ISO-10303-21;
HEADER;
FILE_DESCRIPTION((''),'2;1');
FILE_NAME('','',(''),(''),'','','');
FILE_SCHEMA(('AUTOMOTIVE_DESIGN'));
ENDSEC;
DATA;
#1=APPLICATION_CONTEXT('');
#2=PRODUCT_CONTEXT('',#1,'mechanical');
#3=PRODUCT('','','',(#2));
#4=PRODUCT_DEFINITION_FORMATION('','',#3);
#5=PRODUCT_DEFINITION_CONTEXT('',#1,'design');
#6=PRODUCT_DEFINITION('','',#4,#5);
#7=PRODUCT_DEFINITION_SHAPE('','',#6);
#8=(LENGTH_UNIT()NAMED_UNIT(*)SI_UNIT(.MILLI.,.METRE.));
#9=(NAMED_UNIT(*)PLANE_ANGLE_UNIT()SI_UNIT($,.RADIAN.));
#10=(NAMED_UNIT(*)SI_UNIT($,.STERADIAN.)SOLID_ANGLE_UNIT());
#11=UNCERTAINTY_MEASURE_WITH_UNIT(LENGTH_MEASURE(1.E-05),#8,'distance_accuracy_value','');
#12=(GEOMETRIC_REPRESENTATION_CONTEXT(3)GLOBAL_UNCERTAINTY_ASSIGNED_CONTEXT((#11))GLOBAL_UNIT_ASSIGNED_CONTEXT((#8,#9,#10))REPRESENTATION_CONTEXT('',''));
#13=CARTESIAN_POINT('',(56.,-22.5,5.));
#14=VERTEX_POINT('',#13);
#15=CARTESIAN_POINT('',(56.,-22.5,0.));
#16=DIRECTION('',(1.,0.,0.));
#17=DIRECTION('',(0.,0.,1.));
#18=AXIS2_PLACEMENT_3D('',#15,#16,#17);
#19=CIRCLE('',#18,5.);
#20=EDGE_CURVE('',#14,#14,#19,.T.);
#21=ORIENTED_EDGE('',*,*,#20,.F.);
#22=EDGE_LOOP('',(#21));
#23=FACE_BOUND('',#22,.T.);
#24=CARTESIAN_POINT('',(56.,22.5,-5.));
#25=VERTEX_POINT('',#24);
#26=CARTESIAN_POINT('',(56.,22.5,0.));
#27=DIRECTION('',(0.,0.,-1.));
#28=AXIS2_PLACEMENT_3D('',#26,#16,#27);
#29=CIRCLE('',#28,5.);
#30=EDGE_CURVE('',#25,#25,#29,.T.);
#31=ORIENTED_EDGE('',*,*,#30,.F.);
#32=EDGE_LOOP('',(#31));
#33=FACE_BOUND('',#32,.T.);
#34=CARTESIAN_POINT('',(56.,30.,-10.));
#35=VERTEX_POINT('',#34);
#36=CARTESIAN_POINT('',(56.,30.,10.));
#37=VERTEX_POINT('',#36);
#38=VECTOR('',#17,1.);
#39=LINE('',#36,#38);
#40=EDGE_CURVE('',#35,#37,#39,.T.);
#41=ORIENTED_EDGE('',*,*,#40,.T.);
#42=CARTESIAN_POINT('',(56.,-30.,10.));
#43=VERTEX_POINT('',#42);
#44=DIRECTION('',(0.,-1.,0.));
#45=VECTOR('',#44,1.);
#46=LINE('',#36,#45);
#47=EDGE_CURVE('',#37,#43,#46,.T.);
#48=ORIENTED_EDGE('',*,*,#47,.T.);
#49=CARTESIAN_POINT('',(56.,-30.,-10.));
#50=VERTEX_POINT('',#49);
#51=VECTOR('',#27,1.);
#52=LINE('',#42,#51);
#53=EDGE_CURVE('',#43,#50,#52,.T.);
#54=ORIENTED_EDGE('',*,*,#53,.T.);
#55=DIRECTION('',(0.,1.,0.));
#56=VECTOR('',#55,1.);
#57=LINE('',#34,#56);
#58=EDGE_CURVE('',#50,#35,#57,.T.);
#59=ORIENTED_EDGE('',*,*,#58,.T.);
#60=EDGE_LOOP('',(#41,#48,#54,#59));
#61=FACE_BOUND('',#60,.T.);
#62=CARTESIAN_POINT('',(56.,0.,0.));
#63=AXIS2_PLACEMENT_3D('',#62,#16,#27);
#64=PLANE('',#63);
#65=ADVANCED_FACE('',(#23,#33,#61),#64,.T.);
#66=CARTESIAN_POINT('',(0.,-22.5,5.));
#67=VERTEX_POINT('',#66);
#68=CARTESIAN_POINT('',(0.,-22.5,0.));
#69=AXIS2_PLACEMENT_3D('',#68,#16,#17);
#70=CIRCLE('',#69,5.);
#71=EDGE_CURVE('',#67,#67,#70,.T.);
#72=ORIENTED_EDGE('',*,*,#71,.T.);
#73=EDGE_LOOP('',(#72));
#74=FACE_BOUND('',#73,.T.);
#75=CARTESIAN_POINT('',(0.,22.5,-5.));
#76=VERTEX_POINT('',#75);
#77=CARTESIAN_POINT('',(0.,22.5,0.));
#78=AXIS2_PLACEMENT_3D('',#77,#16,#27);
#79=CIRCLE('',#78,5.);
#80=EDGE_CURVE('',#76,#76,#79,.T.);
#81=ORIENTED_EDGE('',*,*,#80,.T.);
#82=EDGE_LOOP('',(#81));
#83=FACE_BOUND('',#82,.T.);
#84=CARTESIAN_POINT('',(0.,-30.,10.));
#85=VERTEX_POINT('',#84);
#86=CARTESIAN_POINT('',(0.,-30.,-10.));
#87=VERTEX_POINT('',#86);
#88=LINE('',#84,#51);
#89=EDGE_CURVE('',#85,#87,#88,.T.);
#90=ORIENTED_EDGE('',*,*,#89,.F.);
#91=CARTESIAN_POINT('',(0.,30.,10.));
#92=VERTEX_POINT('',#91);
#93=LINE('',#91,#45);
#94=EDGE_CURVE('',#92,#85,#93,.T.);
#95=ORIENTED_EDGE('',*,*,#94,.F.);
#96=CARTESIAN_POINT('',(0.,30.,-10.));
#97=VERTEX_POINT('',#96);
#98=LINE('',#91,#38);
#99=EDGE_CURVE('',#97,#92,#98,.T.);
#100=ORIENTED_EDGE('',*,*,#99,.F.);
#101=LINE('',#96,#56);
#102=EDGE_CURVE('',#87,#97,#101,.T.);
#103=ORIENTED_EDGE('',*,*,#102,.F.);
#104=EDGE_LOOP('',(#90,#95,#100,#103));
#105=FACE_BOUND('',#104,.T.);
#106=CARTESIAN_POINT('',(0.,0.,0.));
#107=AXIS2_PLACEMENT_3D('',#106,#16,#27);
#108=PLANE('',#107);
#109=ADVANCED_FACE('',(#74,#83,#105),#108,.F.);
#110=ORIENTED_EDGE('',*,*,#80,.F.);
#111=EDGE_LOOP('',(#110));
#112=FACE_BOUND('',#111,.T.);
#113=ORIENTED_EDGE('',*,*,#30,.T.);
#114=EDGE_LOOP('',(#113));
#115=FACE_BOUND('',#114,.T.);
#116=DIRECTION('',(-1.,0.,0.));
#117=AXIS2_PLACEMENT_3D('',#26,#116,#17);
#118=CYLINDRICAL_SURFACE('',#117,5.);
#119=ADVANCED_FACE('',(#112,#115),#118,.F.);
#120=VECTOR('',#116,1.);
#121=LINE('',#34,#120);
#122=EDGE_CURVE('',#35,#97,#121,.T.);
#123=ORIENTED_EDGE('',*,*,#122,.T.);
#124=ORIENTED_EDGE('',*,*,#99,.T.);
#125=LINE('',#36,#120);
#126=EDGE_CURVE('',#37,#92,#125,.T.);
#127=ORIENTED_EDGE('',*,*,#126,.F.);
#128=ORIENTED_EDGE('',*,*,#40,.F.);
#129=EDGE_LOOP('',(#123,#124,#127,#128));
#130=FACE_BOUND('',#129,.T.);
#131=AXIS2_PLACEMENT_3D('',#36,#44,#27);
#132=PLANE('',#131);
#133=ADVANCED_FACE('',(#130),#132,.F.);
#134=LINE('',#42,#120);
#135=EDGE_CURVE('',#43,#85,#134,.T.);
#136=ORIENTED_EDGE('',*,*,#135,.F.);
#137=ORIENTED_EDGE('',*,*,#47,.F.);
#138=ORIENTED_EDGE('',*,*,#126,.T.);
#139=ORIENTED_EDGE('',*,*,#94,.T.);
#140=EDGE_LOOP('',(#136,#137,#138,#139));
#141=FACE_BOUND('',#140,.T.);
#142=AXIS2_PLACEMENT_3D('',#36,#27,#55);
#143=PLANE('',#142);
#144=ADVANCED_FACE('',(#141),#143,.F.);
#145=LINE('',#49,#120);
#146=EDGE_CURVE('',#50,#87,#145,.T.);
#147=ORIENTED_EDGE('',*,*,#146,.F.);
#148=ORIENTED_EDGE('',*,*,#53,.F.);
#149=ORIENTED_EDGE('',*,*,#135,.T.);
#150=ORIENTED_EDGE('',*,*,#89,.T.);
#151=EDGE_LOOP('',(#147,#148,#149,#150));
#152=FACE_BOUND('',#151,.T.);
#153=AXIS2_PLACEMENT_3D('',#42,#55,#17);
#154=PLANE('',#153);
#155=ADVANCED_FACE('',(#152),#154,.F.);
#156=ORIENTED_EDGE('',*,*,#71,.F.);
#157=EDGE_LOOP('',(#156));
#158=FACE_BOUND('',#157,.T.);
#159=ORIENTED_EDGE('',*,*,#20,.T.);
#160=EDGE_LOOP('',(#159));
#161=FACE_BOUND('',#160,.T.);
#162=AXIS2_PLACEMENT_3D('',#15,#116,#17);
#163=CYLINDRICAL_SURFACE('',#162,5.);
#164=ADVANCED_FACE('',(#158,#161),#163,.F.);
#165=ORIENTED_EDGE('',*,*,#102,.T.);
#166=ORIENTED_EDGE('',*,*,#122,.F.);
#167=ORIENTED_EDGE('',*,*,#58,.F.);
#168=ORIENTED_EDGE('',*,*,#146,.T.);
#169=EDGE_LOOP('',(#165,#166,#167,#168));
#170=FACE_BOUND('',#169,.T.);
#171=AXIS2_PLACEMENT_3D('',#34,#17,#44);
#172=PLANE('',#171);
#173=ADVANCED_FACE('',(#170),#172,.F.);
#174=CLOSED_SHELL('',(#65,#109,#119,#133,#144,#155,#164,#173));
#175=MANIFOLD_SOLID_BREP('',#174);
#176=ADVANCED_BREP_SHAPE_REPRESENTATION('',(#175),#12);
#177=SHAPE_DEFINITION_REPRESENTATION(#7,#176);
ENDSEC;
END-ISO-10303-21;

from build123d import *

# Parameters (mm, degrees)
SKETCH1_W           = 20
SKETCH1_H           = 60
SKETCH1_R           = 5
BOSS_EXTRUDE1_DEPTH = 56


with BuildPart() as part:
    # Sketch1 → Boss-Extrude1 (new body)
    with BuildSketch(Plane(origin=(0, 0, 0), x_dir=(0, 0, -1), z_dir=(1, 0, 0))):
        Rectangle(SKETCH1_W, SKETCH1_H)
        with Locations((0, 22.5)):
            Circle(SKETCH1_R, mode=Mode.SUBTRACT)
        with Locations(Location((0, -22.5, 0), (0, 0, 180))):
            Circle(SKETCH1_R, mode=Mode.SUBTRACT)
    extrude(amount=BOSS_EXTRUDE1_DEPTH)


solid = part.part
